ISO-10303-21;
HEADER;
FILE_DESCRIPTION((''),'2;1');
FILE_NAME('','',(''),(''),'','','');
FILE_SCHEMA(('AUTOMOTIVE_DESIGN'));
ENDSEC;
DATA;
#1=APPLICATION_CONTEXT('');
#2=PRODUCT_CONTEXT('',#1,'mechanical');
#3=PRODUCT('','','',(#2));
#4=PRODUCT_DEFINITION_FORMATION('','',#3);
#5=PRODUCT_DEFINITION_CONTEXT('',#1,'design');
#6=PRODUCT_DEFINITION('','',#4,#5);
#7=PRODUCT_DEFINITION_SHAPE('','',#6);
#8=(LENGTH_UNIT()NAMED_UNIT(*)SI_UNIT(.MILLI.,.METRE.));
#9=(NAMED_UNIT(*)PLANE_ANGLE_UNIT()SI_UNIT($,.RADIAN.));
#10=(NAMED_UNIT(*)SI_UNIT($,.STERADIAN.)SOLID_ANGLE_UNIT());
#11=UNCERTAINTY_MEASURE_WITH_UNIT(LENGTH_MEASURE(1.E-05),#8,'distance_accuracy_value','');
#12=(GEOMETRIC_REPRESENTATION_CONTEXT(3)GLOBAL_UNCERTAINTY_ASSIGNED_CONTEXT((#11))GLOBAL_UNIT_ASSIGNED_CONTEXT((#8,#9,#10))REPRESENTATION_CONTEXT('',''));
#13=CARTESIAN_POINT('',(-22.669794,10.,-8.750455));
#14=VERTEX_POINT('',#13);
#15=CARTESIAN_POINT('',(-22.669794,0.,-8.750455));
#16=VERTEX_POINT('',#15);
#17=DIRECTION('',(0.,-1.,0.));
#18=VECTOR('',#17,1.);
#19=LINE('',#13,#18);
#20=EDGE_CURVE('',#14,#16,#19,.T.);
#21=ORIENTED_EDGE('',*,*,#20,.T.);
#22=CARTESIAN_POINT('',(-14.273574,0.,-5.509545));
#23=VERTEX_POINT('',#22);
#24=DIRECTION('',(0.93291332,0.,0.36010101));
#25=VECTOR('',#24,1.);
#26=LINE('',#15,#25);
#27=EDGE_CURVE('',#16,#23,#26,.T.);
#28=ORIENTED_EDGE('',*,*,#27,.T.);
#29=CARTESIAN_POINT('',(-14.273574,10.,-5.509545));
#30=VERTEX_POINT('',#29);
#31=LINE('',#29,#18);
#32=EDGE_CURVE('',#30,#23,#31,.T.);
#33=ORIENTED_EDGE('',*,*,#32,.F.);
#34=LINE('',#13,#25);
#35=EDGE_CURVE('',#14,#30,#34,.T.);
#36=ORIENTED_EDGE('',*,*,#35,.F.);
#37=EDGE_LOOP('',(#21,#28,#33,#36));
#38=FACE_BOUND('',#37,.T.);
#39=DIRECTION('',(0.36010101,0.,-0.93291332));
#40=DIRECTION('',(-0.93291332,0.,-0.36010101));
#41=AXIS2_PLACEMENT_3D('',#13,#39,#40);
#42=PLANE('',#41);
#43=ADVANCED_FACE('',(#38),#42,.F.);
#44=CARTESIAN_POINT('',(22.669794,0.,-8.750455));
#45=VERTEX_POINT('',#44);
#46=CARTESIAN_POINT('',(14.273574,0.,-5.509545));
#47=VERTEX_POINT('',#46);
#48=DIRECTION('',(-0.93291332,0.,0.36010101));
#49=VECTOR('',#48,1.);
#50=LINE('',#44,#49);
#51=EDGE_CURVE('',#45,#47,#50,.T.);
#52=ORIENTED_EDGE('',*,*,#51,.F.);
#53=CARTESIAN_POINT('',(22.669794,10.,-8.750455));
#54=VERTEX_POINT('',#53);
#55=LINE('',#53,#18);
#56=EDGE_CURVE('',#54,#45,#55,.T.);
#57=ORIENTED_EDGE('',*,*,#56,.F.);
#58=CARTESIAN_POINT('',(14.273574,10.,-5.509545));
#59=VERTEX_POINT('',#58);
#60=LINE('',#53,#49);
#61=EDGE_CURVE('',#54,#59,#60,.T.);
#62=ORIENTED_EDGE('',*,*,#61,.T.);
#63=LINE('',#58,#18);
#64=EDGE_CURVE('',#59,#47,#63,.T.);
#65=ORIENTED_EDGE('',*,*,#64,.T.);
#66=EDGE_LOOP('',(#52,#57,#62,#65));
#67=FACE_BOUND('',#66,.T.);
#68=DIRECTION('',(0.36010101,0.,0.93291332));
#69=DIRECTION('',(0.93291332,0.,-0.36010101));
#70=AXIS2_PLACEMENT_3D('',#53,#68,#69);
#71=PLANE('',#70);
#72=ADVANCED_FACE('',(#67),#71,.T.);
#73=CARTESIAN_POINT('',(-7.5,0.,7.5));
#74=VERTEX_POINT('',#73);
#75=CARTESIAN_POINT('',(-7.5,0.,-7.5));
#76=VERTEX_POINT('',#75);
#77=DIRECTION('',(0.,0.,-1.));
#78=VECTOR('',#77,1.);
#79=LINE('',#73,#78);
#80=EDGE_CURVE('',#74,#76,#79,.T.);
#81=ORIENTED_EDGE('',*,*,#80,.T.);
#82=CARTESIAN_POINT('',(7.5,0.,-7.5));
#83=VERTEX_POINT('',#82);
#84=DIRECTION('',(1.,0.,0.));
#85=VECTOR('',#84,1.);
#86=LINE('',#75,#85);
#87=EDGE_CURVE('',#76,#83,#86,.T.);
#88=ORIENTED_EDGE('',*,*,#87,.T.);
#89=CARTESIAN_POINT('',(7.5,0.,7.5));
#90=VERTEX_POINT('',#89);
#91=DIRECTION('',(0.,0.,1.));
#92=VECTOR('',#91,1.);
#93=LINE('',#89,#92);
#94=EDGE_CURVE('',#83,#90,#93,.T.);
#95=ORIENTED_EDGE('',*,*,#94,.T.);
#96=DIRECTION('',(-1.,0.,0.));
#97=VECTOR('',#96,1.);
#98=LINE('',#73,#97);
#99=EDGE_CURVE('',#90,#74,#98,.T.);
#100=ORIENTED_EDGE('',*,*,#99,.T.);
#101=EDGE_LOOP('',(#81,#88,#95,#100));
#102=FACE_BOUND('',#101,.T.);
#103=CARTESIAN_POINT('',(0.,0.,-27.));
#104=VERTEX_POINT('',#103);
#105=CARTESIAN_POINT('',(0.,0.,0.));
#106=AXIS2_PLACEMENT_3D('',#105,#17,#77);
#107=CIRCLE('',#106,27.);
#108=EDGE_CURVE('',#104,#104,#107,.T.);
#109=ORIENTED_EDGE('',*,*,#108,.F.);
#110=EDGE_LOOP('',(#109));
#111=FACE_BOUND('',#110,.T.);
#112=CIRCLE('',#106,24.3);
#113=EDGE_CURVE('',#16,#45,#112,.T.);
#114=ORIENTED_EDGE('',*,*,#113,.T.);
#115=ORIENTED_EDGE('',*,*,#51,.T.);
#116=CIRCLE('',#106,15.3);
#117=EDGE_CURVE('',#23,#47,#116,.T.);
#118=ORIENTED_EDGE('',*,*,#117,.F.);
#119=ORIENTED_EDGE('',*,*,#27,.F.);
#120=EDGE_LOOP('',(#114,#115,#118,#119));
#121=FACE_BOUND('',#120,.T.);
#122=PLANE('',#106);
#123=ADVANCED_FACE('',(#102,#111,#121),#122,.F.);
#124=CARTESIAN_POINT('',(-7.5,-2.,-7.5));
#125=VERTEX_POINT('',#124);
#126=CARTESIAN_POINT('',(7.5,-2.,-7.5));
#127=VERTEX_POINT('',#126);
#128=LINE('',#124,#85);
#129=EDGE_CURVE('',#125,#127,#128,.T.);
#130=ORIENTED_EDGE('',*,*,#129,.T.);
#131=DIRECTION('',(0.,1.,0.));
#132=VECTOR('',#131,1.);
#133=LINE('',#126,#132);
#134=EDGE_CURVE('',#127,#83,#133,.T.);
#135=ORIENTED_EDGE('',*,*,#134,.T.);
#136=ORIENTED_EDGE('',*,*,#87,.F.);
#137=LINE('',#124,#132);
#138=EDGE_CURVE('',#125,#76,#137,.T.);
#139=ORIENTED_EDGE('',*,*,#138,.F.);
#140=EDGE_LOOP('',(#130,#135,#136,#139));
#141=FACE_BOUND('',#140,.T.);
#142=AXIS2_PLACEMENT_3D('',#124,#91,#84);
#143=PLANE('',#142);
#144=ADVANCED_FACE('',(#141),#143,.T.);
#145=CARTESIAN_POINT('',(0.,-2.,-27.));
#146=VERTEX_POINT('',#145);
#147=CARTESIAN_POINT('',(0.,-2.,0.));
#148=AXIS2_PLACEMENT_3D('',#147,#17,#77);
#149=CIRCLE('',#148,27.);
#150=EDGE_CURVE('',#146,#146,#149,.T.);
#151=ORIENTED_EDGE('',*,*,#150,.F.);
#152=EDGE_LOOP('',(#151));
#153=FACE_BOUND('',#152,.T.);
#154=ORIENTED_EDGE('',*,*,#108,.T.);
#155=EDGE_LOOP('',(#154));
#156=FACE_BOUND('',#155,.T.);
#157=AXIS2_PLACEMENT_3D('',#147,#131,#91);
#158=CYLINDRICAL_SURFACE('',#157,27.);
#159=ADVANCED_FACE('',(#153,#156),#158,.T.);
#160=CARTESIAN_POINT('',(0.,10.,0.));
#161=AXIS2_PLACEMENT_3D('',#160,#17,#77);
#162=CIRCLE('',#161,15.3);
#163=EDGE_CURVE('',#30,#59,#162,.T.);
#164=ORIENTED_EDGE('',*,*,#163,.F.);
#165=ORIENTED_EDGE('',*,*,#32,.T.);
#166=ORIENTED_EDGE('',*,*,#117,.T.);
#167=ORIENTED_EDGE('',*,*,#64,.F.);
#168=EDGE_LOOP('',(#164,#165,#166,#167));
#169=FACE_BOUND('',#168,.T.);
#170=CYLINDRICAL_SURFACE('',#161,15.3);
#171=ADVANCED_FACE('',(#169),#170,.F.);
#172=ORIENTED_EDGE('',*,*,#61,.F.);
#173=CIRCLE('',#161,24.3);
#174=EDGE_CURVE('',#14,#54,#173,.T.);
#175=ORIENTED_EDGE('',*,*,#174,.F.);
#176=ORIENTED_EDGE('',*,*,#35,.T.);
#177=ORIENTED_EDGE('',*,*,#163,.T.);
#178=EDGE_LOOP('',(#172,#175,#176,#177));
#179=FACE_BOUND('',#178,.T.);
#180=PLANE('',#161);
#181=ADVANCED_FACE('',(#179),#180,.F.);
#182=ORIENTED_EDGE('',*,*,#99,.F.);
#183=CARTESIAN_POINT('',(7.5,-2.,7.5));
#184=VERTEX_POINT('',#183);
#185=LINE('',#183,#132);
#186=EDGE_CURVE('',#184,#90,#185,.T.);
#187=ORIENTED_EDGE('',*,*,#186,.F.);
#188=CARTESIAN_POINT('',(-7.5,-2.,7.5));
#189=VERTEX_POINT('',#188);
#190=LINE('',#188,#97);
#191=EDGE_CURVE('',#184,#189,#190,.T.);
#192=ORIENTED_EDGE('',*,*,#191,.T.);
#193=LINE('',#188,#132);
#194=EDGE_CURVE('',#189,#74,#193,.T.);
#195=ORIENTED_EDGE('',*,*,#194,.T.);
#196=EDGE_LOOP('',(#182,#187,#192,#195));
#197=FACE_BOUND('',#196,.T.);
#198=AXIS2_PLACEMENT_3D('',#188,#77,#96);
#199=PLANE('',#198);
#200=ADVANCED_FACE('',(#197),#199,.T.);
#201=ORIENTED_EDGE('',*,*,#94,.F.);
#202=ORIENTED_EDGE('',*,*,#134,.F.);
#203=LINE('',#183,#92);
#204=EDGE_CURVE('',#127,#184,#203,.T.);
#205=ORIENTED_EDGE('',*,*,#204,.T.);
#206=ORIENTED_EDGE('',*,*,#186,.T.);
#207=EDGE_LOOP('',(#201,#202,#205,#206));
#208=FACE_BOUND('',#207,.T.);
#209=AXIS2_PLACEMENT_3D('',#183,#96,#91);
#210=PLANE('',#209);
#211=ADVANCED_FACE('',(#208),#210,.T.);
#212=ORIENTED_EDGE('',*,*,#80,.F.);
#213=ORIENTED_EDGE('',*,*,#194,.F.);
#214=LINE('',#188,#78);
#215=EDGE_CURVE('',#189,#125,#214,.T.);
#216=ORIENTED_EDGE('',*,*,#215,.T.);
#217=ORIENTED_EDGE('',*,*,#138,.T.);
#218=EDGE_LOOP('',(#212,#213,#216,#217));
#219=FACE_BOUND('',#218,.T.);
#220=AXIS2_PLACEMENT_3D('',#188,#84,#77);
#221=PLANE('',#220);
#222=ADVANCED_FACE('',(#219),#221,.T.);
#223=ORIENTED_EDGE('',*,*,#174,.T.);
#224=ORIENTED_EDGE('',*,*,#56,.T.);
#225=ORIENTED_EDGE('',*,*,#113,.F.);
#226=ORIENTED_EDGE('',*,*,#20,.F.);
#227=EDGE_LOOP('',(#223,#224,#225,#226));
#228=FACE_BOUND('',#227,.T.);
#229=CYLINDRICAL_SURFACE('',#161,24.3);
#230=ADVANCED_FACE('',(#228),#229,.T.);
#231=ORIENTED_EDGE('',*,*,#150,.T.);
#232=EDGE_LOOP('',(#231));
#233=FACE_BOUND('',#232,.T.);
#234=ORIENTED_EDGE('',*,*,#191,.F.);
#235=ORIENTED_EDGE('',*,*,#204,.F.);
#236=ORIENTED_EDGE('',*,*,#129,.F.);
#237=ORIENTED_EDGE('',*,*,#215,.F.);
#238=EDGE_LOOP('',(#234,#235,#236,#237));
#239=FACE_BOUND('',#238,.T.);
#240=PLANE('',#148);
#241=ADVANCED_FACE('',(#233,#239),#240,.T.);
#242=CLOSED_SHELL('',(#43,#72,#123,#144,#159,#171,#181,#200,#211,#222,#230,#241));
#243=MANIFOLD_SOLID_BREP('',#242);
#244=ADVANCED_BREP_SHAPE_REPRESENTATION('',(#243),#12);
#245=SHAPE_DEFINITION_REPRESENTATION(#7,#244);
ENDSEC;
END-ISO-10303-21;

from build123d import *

# Parameters (mm, degrees)
BOSS_EXTRUDE1_DEPTH = 10
SKETCH2_R           = 27
SKETCH2_W           = 15
SKETCH2_H           = 15
BOSS_EXTRUDE2_DEPTH = 2


with BuildPart() as part:
    # Sketch1 → Boss-Extrude1 (new body)
    with BuildSketch(Plane(origin=(0, 0, 0), x_dir=(1, 0, 0), z_dir=(0, 1, 0))):
        with BuildLine():
            Line((-22.669793675, 8.750454545), (-14.273573795, 5.509545455))
            ThreePointArc((-14.273573795, 5.509545455), (0, 15.3), (14.273573795, 5.509545455))
            Line((14.273573795, 5.509545455), (22.669793675, 8.750454545))
            ThreePointArc((22.669793675, 8.750454545), (0, 24.3), (-22.669793675, 8.750454545))
        make_face()
    extrude(amount=BOSS_EXTRUDE1_DEPTH)

    # Sketch2 → Boss-Extrude2 (add)
    with BuildSketch(Plane.XZ):
        with Locations(Location((0, 0, 0), (0, 0, 270))):
            Circle(SKETCH2_R)
        Rectangle(SKETCH2_W, SKETCH2_H, mode=Mode.SUBTRACT)
    extrude(amount=BOSS_EXTRUDE2_DEPTH)


solid = part.part
